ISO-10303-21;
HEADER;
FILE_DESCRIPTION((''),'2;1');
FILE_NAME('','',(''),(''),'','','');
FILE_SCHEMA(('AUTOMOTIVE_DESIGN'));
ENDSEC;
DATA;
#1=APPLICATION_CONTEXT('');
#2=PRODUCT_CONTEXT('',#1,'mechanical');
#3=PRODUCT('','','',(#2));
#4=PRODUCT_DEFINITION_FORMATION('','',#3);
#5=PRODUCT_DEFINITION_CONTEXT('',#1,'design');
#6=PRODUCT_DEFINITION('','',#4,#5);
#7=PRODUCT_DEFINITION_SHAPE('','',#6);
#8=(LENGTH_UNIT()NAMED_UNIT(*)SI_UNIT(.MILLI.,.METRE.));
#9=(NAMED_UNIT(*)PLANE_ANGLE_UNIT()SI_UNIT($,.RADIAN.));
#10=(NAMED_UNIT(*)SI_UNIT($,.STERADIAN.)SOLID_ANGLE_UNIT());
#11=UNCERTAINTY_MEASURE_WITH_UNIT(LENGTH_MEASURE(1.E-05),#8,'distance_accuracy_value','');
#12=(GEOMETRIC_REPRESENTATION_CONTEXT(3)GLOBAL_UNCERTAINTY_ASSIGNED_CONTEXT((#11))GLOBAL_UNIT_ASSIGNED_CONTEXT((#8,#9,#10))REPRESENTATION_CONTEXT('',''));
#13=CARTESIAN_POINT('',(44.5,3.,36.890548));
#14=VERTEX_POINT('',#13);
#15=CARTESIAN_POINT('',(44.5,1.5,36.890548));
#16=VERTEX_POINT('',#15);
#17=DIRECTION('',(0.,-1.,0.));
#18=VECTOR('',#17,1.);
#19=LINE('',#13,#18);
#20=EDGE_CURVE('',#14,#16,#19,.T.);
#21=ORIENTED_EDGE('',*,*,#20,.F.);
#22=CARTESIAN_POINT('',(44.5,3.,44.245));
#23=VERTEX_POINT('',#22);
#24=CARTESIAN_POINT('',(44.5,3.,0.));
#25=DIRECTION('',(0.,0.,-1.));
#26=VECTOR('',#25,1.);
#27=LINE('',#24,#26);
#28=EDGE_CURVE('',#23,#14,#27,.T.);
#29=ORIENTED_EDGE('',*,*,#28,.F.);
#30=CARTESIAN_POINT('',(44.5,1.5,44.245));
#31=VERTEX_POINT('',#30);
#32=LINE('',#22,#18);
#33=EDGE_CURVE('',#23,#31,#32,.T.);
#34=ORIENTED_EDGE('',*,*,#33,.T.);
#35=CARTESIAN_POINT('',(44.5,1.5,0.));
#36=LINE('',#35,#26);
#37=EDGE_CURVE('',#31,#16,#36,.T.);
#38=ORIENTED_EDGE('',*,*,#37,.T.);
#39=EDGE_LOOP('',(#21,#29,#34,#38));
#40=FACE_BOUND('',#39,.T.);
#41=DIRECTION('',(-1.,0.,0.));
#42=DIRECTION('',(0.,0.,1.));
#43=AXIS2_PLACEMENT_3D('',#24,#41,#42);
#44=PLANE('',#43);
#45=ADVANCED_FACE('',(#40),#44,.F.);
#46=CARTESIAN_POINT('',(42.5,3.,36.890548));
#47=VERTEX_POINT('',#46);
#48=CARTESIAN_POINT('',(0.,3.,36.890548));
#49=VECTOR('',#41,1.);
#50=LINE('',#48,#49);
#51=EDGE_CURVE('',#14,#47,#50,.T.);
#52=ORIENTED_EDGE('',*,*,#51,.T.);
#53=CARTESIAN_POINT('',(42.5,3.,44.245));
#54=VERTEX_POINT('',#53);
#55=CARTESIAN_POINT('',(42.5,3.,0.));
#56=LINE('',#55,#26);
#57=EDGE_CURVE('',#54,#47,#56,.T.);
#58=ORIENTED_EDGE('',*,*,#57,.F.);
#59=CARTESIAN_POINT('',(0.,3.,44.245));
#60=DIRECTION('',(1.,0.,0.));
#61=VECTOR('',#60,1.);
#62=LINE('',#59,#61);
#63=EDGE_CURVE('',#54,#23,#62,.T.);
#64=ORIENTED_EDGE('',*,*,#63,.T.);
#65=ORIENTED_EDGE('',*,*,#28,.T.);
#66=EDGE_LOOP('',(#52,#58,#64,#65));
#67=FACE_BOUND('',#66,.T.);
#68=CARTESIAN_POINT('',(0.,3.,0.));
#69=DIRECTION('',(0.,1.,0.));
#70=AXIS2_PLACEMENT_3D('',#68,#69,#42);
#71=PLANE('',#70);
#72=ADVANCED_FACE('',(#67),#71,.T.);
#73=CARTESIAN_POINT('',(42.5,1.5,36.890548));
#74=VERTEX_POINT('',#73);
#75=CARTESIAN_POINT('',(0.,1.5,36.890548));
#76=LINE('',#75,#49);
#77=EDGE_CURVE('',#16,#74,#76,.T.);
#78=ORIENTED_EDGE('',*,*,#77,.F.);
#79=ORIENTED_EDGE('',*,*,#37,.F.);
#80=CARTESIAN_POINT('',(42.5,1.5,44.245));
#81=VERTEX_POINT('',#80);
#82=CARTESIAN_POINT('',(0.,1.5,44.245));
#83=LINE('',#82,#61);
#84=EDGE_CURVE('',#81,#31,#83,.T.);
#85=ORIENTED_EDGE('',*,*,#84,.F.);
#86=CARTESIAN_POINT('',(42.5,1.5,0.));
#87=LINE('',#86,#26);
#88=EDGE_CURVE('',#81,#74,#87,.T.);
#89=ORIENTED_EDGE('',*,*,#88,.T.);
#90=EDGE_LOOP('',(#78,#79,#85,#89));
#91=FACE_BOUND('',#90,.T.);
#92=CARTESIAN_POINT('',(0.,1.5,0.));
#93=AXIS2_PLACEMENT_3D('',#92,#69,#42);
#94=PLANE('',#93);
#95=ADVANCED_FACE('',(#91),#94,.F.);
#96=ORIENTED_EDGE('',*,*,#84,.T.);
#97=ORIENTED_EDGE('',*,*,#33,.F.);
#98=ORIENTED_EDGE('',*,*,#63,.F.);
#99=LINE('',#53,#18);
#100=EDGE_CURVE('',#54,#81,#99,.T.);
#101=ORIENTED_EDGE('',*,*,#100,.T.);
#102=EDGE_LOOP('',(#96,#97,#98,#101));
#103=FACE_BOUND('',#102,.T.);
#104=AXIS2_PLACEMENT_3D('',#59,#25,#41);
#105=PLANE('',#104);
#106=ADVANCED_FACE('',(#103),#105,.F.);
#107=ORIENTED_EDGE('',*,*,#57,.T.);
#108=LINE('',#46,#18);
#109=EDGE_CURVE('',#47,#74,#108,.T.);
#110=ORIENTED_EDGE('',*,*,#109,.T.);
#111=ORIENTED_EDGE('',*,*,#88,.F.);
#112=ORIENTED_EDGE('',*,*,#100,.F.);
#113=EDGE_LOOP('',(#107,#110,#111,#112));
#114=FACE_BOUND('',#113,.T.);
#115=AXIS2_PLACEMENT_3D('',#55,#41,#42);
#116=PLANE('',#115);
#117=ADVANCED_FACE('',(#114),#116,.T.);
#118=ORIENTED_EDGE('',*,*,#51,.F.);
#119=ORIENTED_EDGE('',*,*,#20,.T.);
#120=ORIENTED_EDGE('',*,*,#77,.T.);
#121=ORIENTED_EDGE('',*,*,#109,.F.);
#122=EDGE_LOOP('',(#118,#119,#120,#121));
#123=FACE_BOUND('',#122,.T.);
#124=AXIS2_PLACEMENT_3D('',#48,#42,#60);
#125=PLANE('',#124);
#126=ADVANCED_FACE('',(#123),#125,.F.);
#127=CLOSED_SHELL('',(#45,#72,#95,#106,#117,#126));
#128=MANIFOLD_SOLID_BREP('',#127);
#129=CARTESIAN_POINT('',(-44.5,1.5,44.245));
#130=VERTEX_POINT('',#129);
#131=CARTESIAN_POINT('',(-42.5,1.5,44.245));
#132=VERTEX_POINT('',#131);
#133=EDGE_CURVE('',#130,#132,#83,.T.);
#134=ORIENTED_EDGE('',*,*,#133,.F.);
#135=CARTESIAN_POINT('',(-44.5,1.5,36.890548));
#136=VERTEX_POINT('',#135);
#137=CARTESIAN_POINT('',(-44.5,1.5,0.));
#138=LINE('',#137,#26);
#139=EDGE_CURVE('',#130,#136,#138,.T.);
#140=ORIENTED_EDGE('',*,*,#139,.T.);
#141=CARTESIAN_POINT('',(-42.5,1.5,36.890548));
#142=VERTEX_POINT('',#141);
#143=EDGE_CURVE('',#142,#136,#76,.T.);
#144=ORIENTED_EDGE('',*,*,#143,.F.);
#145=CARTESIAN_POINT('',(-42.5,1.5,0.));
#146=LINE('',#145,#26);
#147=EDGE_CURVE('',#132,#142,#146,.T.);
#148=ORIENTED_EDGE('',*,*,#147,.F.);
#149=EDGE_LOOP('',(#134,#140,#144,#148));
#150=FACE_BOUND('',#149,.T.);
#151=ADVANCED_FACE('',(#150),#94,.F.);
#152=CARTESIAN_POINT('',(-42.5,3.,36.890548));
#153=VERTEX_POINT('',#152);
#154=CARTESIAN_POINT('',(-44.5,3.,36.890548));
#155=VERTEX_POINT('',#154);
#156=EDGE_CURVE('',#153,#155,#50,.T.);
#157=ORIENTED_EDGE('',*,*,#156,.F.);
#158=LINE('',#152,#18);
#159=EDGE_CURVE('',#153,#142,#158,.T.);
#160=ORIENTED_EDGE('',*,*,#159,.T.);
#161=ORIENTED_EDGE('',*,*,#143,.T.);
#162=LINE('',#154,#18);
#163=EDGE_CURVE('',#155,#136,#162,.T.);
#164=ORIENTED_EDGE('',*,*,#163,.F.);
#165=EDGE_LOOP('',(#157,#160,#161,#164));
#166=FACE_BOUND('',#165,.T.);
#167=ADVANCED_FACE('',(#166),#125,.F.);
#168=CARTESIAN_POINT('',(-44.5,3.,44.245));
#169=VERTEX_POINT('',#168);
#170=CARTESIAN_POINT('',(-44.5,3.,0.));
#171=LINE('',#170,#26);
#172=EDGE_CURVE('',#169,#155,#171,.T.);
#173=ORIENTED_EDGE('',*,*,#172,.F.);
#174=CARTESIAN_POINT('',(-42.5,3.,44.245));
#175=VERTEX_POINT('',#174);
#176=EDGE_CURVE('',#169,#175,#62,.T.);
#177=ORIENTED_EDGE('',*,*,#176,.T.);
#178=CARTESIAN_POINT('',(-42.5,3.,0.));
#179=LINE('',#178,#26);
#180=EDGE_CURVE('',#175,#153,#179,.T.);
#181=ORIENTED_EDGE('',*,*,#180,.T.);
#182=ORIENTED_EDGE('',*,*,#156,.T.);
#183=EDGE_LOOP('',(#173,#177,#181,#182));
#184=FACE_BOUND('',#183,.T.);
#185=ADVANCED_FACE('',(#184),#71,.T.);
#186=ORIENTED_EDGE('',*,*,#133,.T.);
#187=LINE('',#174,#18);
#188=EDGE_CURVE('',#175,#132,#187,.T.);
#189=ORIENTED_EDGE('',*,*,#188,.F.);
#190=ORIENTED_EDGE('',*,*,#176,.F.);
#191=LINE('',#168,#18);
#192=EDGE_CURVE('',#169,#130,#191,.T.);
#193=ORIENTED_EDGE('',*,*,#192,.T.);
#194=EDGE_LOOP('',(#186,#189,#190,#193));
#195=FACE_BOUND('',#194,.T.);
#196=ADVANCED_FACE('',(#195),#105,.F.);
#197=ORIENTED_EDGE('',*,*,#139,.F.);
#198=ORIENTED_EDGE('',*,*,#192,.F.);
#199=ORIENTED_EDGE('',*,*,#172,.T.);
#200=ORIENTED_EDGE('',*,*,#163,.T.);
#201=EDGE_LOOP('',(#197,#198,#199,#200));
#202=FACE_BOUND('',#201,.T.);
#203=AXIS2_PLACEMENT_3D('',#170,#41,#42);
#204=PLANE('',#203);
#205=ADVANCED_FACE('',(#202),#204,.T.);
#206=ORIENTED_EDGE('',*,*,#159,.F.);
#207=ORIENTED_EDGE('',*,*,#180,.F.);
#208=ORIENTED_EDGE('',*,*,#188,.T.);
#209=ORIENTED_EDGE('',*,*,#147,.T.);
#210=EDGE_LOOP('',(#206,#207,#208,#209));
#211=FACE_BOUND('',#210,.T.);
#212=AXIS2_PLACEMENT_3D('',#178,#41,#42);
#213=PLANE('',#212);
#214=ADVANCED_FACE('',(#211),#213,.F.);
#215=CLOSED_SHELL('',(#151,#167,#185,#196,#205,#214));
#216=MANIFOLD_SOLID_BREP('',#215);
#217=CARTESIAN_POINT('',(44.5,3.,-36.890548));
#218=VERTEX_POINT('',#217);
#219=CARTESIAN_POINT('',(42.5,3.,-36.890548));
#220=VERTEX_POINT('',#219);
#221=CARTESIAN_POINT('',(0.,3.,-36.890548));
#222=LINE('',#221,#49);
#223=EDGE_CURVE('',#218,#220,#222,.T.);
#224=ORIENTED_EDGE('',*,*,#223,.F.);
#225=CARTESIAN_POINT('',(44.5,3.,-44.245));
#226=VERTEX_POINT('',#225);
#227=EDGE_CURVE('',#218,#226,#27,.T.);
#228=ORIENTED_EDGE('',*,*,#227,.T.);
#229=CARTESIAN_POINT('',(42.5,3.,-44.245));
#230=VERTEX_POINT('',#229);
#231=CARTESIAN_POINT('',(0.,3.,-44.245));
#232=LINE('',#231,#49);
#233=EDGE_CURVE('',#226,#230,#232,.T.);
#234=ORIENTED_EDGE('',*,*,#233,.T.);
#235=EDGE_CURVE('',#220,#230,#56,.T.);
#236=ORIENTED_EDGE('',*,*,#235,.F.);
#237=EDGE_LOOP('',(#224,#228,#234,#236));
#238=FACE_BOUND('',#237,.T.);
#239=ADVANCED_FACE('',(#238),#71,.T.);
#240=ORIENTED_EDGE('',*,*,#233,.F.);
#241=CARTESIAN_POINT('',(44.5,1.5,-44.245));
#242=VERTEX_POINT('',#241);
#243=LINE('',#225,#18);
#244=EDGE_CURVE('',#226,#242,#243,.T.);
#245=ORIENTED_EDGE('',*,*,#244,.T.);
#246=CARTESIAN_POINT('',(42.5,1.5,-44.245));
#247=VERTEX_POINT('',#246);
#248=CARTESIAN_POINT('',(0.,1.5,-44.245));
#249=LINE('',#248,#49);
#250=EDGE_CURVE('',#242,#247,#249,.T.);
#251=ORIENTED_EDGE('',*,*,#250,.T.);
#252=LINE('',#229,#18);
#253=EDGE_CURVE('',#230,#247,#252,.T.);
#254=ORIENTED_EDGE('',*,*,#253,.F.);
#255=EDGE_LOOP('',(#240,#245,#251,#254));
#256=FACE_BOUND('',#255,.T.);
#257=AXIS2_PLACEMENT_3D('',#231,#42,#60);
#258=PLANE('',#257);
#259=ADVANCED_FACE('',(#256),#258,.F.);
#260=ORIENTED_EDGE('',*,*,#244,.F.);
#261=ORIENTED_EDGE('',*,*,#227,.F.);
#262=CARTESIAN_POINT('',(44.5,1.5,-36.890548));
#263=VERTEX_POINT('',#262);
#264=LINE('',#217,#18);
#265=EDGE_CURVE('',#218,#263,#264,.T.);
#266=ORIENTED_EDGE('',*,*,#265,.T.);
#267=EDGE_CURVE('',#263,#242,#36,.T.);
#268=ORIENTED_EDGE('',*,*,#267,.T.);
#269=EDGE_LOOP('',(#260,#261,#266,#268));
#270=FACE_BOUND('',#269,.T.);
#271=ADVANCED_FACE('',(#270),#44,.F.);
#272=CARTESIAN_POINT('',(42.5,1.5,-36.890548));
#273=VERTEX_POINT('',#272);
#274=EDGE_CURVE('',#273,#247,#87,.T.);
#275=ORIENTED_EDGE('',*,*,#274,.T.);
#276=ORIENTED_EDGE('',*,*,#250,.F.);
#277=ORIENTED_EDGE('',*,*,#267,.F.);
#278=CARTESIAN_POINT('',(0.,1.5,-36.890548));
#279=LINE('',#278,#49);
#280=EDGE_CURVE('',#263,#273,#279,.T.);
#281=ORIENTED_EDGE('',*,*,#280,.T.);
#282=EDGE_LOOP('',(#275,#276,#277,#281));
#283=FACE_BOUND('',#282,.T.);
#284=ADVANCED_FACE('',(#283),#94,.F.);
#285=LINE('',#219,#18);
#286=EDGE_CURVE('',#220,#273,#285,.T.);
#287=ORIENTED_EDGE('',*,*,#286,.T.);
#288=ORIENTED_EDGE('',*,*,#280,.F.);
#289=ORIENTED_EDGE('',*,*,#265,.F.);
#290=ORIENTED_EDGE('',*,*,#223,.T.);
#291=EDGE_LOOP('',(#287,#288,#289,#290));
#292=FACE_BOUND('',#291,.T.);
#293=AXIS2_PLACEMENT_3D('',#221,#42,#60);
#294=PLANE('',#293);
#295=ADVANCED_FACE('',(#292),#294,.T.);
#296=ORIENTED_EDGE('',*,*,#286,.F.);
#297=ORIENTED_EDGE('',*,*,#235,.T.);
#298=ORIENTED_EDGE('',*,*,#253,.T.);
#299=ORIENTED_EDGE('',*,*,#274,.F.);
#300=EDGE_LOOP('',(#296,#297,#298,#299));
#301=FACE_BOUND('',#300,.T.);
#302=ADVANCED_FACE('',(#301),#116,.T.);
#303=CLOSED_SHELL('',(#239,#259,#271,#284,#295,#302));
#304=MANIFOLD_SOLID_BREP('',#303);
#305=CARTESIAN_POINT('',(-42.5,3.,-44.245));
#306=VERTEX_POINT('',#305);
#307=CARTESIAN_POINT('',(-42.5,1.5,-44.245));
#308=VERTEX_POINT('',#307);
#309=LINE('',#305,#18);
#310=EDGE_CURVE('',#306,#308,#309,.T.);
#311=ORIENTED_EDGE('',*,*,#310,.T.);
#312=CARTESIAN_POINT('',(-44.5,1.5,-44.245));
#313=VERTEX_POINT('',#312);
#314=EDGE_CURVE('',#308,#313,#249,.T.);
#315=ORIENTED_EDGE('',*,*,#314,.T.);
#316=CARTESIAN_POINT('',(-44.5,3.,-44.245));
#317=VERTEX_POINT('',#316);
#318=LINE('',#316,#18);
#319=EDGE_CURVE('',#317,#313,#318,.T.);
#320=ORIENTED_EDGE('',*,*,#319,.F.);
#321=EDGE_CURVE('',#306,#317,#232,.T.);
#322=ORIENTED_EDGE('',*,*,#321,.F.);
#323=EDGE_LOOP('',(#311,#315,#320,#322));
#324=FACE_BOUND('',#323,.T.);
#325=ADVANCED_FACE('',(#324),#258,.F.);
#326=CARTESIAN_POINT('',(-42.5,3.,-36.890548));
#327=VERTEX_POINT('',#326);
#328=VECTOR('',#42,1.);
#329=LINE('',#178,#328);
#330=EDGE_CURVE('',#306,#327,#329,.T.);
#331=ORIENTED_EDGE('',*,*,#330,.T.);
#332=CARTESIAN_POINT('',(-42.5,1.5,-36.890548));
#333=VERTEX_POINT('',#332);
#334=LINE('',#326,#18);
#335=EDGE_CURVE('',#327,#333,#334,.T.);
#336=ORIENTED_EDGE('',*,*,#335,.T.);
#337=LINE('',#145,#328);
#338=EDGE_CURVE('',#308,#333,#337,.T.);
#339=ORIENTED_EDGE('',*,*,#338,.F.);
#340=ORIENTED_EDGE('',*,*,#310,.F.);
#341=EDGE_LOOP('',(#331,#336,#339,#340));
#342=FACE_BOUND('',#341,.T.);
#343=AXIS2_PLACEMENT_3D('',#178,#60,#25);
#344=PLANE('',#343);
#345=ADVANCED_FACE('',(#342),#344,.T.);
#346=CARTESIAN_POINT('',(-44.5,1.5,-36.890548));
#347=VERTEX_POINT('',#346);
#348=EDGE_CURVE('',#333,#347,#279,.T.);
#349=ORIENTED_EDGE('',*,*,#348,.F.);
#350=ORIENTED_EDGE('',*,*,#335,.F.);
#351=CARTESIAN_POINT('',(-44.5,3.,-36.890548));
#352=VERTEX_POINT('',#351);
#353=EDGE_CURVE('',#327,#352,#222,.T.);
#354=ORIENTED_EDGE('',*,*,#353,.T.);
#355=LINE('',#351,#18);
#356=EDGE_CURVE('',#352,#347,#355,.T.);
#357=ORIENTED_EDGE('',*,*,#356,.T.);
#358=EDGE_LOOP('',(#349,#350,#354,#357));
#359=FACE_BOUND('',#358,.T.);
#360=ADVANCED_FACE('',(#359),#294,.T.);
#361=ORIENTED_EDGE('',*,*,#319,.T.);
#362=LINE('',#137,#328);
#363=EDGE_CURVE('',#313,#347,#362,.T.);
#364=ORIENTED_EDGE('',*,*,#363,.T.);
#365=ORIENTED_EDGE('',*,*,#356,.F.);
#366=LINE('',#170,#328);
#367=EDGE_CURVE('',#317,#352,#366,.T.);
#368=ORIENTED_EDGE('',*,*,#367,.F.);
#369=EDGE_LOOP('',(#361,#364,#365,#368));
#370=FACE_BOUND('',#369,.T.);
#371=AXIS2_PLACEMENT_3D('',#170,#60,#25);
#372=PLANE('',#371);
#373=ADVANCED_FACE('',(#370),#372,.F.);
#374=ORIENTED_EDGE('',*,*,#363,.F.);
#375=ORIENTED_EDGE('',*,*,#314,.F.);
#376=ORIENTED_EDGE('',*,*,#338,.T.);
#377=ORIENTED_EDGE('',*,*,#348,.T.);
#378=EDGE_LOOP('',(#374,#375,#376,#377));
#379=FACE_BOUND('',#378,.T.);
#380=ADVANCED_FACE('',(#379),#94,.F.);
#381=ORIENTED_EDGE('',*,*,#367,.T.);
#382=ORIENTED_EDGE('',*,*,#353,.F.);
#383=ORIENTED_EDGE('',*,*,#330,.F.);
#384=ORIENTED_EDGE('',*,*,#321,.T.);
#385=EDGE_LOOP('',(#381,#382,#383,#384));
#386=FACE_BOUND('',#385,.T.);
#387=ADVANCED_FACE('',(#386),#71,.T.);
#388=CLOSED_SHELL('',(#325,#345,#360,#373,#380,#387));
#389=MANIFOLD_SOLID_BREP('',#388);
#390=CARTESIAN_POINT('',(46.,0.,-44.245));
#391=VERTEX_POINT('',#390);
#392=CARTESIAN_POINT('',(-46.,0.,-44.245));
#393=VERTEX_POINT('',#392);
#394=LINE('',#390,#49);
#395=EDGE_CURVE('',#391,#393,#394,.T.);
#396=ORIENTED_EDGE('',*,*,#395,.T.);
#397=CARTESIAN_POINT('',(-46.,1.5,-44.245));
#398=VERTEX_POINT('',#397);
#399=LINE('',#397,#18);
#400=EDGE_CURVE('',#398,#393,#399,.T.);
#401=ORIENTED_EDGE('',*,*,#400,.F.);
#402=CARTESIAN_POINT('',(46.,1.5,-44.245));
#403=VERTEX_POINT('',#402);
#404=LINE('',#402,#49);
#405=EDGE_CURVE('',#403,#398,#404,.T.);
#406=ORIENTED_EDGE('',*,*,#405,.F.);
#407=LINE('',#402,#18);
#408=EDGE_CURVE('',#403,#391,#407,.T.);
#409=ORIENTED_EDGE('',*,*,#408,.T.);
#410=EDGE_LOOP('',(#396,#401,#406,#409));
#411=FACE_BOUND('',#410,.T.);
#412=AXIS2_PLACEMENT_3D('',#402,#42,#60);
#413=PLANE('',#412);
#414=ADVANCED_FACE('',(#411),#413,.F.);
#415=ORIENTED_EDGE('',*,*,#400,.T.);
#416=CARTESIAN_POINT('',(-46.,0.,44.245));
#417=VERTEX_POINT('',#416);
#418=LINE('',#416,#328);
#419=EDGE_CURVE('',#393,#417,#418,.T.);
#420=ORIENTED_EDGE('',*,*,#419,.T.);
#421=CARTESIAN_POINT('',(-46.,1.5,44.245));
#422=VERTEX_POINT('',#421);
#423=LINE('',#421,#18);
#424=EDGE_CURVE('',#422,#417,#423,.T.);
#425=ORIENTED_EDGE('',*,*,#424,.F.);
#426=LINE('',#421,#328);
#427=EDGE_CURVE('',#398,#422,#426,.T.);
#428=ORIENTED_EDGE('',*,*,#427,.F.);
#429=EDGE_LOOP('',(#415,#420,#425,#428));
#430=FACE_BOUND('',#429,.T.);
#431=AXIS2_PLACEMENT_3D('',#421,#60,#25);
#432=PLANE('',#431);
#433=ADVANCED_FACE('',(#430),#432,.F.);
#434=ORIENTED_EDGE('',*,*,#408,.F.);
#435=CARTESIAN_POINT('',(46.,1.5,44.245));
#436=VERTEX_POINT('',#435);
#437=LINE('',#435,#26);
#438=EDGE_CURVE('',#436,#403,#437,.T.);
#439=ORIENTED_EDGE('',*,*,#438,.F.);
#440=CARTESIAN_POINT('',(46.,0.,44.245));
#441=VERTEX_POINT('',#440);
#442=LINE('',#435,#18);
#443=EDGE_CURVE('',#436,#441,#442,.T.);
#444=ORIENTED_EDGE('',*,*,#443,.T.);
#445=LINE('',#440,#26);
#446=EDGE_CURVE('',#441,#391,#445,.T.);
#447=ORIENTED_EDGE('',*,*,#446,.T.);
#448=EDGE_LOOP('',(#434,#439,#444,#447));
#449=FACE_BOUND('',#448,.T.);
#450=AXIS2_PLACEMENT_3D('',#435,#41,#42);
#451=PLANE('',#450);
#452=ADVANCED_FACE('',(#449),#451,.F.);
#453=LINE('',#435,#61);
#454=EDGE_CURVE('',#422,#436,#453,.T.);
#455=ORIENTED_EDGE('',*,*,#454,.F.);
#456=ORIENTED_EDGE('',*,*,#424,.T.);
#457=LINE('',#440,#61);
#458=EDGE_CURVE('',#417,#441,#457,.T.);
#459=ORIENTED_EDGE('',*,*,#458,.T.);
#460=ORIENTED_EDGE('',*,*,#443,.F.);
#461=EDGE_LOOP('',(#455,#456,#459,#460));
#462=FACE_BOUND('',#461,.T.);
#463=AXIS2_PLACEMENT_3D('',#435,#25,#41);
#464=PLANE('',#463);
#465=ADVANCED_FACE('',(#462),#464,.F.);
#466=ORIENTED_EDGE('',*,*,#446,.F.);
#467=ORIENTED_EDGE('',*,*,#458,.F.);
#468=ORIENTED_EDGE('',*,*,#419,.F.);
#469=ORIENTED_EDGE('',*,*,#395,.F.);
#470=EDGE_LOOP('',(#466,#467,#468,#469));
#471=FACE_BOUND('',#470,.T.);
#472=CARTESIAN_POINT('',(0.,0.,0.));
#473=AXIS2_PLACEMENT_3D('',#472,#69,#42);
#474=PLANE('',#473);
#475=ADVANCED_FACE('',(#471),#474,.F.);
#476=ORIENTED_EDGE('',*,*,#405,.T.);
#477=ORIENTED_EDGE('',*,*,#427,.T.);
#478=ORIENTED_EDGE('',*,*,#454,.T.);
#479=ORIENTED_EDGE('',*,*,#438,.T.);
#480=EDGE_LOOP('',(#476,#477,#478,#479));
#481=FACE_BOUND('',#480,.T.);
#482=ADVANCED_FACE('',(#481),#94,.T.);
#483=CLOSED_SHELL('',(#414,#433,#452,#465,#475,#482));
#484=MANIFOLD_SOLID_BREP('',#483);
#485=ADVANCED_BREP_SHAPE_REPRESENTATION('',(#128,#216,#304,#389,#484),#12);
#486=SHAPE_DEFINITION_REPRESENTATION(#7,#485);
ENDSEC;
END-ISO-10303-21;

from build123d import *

# Parameters (mm, degrees)
SKETCH_1_W        = 92
SKETCH_1_H        = 88.49
EXTRUDE_1_DEPTH   = 1.5
SKETCH_2_W        = 2
SKETCH_2_H        = 7.35445201
EXTRUDE_2_DEPTH   = 1.5
EXTRUDE_2_2_DEPTH = 1.5
EXTRUDE_2_3_DEPTH = 1.5
EXTRUDE_2_4_DEPTH = 1.5


with BuildPart() as part:
    # Эскиз1 → Бобышка-Вытянуть1 (new body)
    with BuildSketch(Plane(origin=(0, 0, 0), x_dir=(1, 0, 0), z_dir=(0, 1, 0))):
        Rectangle(SKETCH_1_W, SKETCH_1_H)
    extrude(amount=EXTRUDE_1_DEPTH)


with BuildPart() as body_2:
    # Эскиз2 → Бобышка-Вытянуть2 (new body)
    with BuildSketch(Plane(origin=(0, 1.5, 0), x_dir=(1, 0, 0), z_dir=(0, 1, 0))):
        with Locations((43.5, 40.567773995)):
            Rectangle(SKETCH_2_W, SKETCH_2_H)
    extrude(amount=EXTRUDE_2_DEPTH)


with BuildPart() as body_3:
    # Эскиз2 → Extrude 2 2 (new body)
    with BuildSketch(Plane(origin=(0, 1.5, 0), x_dir=(1, 0, 0), z_dir=(0, 1, 0))):
        with Locations((-43.5, 40.567773995)):
            Rectangle(SKETCH_2_W, SKETCH_2_H)
    extrude(amount=EXTRUDE_2_2_DEPTH)


with BuildPart() as body_4:
    # Эскиз2 → Extrude 2 3 (new body)
    with BuildSketch(Plane(origin=(0, 1.5, 0), x_dir=(1, 0, 0), z_dir=(0, 1, 0))):
        with Locations((-43.5, -40.567773995)):
            Rectangle(SKETCH_2_W, SKETCH_2_H)
    extrude(amount=EXTRUDE_2_3_DEPTH)


with BuildPart() as body_5:
    # Эскиз2 → Extrude 2 4 (new body)
    with BuildSketch(Plane(origin=(0, 1.5, 0), x_dir=(1, 0, 0), z_dir=(0, 1, 0))):
        with Locations((43.5, -40.567773995)):
            Rectangle(SKETCH_2_W, SKETCH_2_H)
    extrude(amount=EXTRUDE_2_4_DEPTH)


solid = Compound([part.part, body_2.part, body_3.part, body_4.part, body_5.part])
